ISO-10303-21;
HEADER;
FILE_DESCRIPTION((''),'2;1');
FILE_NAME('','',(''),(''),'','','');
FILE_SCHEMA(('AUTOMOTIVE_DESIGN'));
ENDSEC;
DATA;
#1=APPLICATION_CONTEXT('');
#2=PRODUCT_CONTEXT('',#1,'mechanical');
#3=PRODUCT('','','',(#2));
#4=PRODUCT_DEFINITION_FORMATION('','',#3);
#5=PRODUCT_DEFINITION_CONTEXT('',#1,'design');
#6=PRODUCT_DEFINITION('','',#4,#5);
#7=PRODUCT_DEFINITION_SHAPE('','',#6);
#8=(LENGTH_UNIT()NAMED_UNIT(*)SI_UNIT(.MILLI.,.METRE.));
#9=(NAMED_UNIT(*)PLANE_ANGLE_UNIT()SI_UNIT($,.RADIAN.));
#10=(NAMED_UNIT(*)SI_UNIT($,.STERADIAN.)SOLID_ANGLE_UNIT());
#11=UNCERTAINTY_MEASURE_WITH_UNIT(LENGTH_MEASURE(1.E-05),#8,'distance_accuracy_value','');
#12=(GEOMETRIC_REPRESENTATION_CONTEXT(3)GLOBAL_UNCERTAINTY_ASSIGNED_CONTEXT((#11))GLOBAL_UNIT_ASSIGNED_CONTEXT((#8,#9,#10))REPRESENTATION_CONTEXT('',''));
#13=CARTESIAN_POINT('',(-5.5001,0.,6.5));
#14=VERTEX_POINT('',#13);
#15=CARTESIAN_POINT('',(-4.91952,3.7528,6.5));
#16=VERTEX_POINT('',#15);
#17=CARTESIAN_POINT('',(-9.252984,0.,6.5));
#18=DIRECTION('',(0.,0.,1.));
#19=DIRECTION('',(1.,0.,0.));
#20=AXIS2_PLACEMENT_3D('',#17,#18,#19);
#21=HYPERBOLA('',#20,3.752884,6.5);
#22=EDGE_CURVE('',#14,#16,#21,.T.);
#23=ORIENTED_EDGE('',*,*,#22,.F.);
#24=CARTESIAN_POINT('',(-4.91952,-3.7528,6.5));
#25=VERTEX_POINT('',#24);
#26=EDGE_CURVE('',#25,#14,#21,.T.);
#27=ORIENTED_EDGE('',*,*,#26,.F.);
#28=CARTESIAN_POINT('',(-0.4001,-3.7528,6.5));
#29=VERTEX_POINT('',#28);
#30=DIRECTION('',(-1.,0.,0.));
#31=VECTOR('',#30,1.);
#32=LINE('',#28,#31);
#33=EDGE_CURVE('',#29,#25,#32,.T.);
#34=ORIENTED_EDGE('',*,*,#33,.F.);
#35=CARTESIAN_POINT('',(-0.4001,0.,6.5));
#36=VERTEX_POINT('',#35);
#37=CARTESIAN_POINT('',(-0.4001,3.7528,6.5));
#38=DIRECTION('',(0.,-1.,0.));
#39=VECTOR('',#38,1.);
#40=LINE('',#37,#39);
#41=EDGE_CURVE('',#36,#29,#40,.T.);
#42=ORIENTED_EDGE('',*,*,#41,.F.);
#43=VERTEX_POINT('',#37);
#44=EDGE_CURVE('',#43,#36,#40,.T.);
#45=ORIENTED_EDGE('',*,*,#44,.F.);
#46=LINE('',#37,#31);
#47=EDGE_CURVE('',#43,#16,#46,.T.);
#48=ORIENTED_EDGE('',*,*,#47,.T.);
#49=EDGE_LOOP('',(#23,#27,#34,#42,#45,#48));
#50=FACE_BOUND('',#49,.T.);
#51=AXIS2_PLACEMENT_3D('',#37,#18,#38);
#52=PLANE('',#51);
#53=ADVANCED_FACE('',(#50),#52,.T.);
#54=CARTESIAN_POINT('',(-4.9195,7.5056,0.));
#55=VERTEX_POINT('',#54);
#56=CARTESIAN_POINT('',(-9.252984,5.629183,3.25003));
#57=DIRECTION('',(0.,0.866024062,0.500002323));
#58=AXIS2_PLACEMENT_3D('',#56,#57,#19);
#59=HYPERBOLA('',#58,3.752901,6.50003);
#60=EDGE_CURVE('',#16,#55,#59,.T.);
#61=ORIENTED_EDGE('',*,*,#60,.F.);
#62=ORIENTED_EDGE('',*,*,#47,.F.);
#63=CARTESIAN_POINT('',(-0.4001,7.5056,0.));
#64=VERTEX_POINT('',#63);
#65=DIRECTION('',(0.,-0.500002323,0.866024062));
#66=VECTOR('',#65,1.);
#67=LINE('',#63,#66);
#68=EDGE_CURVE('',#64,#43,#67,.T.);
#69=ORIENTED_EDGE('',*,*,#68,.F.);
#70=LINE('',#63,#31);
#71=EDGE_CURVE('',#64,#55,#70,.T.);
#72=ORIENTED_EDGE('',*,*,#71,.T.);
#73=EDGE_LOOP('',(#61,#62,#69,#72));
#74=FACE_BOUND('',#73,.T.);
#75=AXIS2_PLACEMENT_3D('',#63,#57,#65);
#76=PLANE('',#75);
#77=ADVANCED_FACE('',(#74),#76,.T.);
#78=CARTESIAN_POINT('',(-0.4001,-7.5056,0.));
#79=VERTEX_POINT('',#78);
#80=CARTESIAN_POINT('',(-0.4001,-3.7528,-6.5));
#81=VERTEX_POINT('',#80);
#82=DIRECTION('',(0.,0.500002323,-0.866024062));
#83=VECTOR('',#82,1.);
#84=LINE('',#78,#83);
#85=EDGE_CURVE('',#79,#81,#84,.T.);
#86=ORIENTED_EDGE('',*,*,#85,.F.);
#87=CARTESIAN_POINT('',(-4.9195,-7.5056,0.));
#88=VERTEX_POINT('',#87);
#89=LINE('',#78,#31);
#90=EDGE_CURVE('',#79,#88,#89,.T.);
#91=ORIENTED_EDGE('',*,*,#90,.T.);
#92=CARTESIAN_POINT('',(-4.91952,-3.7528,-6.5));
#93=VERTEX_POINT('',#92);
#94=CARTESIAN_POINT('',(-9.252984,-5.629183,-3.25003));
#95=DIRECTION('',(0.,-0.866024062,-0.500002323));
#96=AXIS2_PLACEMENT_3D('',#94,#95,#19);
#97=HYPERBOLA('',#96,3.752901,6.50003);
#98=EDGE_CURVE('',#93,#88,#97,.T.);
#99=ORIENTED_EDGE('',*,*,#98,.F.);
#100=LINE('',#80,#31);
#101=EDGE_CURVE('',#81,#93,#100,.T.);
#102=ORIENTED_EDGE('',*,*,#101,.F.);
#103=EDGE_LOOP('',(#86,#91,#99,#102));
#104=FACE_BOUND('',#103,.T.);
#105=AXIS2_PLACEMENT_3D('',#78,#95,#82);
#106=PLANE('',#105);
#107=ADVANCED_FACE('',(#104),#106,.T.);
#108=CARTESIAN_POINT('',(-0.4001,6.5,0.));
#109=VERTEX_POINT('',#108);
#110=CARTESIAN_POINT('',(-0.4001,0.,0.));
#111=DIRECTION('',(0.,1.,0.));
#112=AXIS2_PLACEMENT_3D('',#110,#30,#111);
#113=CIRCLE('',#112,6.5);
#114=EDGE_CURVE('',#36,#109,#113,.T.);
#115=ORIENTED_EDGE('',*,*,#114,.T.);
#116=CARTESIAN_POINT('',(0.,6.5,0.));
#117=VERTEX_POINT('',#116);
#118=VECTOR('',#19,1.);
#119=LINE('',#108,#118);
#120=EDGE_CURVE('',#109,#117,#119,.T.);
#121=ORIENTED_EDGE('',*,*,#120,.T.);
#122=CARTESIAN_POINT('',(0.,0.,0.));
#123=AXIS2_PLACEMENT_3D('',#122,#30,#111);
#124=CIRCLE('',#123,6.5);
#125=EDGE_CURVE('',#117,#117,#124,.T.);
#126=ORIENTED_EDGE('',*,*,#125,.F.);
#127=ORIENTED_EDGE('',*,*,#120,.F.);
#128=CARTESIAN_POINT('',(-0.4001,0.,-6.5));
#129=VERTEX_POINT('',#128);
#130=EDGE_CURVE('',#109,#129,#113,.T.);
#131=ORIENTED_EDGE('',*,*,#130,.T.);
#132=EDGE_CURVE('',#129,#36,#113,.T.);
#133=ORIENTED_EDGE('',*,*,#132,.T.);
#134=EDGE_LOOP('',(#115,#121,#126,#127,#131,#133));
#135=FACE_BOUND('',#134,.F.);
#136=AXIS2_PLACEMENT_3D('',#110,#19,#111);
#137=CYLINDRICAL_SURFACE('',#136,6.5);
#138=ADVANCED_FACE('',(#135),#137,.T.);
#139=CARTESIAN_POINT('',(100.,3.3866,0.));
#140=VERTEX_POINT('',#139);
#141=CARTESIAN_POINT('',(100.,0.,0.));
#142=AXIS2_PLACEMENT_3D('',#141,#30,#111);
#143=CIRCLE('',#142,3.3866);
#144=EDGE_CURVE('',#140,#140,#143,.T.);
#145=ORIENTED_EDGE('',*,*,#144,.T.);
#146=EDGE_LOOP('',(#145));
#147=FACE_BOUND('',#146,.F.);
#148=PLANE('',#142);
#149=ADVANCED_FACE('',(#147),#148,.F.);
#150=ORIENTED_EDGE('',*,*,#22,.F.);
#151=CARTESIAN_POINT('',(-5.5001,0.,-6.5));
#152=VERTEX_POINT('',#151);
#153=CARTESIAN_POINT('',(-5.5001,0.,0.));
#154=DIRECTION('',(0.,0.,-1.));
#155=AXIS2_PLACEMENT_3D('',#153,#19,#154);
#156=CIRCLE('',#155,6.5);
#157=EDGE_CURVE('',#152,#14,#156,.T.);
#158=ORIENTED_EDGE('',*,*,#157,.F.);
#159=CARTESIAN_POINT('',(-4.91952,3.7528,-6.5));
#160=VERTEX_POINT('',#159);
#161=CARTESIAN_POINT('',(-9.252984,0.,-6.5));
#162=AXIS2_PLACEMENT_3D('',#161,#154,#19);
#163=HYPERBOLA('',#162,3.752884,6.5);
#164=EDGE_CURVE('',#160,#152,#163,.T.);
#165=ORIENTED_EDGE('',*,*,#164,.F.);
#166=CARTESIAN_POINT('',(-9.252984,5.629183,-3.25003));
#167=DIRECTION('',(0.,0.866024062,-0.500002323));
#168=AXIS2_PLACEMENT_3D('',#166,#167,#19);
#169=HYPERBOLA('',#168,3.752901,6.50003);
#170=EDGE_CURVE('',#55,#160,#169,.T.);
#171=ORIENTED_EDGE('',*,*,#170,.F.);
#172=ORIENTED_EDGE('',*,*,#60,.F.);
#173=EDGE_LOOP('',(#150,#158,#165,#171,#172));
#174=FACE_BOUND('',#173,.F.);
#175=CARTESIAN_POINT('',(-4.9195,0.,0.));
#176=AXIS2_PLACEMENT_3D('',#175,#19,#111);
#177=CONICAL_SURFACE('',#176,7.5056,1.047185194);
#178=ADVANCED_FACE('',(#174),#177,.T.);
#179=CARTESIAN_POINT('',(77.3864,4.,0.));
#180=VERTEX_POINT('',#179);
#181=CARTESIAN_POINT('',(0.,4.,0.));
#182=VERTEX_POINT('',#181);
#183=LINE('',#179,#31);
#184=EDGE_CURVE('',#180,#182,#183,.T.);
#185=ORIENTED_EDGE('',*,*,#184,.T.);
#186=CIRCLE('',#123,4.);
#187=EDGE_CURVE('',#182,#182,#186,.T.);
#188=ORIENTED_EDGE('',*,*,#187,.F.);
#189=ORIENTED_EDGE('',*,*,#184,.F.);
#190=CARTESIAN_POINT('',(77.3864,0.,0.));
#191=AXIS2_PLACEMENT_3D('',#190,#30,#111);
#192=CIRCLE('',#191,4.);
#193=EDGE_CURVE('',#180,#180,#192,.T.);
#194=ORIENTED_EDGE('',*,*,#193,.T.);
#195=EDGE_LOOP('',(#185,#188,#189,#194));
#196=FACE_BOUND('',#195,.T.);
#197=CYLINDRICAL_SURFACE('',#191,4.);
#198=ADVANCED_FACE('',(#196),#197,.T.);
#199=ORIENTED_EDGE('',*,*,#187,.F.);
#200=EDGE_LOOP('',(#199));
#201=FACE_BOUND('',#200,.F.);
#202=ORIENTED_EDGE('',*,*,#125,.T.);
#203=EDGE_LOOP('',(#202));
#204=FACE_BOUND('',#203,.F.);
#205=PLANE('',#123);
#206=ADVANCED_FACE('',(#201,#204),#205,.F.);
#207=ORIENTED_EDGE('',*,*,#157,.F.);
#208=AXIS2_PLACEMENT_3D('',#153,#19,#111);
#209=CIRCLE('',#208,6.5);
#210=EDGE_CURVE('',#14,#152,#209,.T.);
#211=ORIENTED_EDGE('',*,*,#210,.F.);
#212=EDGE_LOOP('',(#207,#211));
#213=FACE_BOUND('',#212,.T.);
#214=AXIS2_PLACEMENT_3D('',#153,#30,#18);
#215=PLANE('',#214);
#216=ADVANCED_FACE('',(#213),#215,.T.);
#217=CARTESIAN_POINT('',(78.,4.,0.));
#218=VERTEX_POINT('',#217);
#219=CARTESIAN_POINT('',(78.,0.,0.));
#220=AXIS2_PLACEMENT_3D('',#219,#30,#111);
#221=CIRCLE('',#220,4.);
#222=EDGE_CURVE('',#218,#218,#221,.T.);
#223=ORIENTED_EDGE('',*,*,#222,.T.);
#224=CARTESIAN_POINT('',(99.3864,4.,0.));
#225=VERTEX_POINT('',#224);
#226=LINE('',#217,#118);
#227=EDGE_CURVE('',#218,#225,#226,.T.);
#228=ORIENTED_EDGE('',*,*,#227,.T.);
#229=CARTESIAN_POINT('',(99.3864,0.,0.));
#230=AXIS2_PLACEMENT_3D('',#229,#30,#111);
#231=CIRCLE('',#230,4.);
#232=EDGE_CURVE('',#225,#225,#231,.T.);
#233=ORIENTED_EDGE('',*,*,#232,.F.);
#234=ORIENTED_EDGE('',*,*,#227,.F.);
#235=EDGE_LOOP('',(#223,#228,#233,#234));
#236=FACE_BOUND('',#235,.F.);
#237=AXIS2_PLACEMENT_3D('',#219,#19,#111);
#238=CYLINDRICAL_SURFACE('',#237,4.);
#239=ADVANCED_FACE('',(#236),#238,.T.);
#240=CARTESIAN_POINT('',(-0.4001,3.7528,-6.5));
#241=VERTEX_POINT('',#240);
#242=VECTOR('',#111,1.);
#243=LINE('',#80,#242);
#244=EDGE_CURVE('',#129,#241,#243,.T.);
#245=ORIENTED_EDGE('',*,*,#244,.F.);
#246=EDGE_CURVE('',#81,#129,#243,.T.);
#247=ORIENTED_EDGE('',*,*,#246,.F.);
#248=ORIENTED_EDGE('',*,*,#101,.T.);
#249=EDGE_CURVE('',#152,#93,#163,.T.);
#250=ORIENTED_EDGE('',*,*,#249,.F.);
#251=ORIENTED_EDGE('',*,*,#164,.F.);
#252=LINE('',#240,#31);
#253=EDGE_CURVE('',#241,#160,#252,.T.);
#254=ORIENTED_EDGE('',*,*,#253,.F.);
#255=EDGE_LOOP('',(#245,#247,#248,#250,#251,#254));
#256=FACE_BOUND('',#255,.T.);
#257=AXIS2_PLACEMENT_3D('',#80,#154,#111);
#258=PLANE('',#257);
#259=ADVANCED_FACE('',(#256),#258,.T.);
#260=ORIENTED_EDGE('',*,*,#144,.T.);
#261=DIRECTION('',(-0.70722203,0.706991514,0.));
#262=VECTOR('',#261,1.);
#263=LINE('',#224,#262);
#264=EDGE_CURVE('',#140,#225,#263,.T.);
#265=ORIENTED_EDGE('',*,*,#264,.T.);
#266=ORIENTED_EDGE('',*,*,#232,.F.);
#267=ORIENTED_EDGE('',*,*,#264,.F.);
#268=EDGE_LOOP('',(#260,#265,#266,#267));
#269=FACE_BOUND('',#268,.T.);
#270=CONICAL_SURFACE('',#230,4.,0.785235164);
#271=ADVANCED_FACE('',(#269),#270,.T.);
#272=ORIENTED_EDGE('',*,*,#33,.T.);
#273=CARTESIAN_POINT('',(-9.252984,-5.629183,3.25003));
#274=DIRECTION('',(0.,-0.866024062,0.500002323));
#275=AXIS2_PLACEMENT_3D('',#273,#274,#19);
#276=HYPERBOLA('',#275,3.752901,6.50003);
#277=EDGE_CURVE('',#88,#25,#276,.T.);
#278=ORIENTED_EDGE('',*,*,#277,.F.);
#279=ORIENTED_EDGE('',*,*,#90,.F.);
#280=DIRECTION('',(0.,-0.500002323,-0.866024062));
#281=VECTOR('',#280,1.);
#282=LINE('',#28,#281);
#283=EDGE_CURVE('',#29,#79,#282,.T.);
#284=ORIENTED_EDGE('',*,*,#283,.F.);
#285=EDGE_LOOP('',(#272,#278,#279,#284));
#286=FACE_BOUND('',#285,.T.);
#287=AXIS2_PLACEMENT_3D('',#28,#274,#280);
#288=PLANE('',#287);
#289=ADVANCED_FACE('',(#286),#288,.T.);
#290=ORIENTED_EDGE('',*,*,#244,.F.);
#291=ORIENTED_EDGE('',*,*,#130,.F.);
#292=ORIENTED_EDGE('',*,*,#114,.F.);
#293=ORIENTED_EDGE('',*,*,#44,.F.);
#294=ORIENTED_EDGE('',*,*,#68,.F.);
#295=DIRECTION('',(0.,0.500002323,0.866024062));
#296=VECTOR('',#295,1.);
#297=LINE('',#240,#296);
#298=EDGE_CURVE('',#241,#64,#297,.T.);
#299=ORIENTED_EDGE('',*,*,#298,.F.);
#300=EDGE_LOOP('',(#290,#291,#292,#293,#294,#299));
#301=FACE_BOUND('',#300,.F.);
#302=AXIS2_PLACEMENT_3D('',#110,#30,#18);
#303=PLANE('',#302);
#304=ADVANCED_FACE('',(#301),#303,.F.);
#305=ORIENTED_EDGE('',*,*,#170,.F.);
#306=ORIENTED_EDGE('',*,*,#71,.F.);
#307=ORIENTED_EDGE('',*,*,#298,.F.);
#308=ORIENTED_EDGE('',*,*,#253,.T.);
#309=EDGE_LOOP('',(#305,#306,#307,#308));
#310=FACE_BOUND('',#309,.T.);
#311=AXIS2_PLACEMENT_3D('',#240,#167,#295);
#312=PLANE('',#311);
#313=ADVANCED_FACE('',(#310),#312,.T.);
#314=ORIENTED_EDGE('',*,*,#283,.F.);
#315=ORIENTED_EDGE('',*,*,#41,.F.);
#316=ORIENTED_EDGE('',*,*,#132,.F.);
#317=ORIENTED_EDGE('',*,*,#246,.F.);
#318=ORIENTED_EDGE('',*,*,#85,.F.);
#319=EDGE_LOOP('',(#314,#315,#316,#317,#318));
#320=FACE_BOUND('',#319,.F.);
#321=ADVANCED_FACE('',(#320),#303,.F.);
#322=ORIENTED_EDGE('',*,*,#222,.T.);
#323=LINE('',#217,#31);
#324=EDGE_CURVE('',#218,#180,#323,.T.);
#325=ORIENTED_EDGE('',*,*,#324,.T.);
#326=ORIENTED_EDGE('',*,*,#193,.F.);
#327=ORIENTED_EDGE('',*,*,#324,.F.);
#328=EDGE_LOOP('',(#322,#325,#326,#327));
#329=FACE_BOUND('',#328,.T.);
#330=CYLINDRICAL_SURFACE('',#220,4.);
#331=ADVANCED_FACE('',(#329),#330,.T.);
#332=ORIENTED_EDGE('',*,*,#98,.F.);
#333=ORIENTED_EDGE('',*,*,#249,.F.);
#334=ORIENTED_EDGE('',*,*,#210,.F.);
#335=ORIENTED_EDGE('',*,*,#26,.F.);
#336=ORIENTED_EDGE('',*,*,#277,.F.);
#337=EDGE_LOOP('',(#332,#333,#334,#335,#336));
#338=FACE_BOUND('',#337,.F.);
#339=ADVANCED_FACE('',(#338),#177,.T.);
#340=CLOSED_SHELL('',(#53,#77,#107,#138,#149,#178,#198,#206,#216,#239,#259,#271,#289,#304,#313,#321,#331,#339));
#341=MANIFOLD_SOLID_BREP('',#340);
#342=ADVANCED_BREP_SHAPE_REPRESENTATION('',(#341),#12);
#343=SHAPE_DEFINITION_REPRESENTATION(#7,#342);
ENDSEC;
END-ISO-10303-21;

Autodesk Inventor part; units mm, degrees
ref_plane "YZ Plane" through (0, 0, 0) normal (1, 0, 0) x (0, 1, 0)
ref_plane "XZ Plane" through (0, 0, 0) normal (0, 1, 0) x (-1, 0, 0)
sketch "Sketch1" plane through (0, 0, 0) normal (0, 0, 1) x (1, 0, 0)
  line L0 (0, 6.5) -> (0, 4)
  line L1 (78, 4) -> (100, 4)
  line L2 (100, 4) -> (100, 0)
  line L3 (100, 0) -> (-0.4001, 0)
  line L4 (-20.4801, 0) -> (120.08, 0) projected
  line L5 (-0.4001, 0) -> (-0.4001, 6.5)
  line L6 (-0.4001, 6.5) -> (0, 6.5)
  line L7 (78, 4) -> (77.3864, 4)
  line L8 (77.3864, 4) -> (0, 4)
  line L9 (0, -1.3) -> (0, 7.8) projected
  dimension "d0" = 100
  dimension "d1" = 22
  dimension "d2" = 8
  dimension "d9" = 0.4001
  dimension "d10" = 13
  dimension "d13" = 0.6136
  dimension "d14" = 8
revolve "Body" add sketch "Sketch1" angle 360 about axis through (100, 0, 0) along (-1, 0, 0)
sketch "Sketch2" plane through (-0.4001, 0, 0) normal (-1, 0, 0) x (0, 0, 1)
  line L0 (0, 7.5056) -> (6.5, 3.7528)
  line L1 (6.5, 3.7528) -> (6.5, -3.7528)
  line L2 (6.5, -3.7528) -> (0, -7.5056)
  line L3 (0, -7.5056) -> (-6.5, -3.7528)
  line L4 (-6.5, -3.7528) -> (-6.5, 3.7528)
  line L5 (-6.5, 3.7528) -> (0, 7.5056)
  point P0 (0, 0)
  point P1 (0, 0)
  dimension "d11" = 13
extrude "Head" add sketch "Sketch2" along normal blind 5.1
sketch "Sketch4" plane through (0, 0, 0) normal (0, 0, 1) x (1, 0, 0)
  line L0 (-5.5001, 6.5) -> (-5.5001, 7.5056)
  line L1 (-5.5001, 7.5056) -> (-4.9195, 7.5056)
  line L2 (-4.9195, 7.5056) -> (-5.5001, 6.5)
  line L3 (-6.5201, 0) -> (0.6199, 0) projected
  line L4 (-0.4001, 7.5056) -> (-5.5001, 7.5056) projected
  line L5 (-5.5001, 3.7528) -> (-5.5001, 7.5056) projected
  dimension "d5" = 30
  dimension "d19" = 13
revolve "Chamfer1" cut sketch "Sketch4" angle 360 about axis through (-10, 0, 0) along (1, 0, 0)
thread "Thread" size "M8x1" class "6g" standard "ISO Metric profile" length 22
chamfer "Chamfer2" distance 0.6134 distance2 0.6136 1 edges at (100, -4, 0) measured on face at (100, -1.054, 1.6624)
ref_plane "Work Plane1" through (1.525, 0, 0) normal (0, 0, 1) x (1, 0, 0)
equation "\"d0\" = NLG"
equation "\"d1\" = GEL"
equation "\"d2\" = GD"
equation "\"d10\" = SD2"
equation "\"d14\" = BDM"
equation "\"d11\" = SW"
equation "\"d3\" = KOH - SD"
equation "\"d5\" = ANG1"
equation "\"d19\" = SW0"
equation "\"d15\" = GEL"
equation "\"d6\" = -0.5 * SPD + 0.5 * GD"
equation "\"NLG\" = 100"
equation "\"GD\" = NND"
equation "\"BDM\" = NND"
equation "\"KOH\" = 5.5"
equation "\"GEL\" = 22"
equation "\"SW\" = 13"
equation "\"SW0\" = SW"
equation "\"SPD\" = NND - 1.2269 * PTC"
equation "\"SD2\" = SW"
equation "\"SD\" = WFT"
equation "\"ANG1\" = 30deg"
equation "\"GAL\" = 0.61345 * PTC"
equation "\"GUL\" = 0.61345 * PTC"
equation "\"RR\" = 0.4"
equation "\"WFT\" = 0.4"
equation "\"GD1\" = THREADDIA - 1.2269 * PTC"
equation "\"THREADDIA\" = 8"
equation "\"SDH\" = SW"
equation "\"TOA\" = 30deg"
equation "\"PTC\" = 1"
equation "\"NND\" = 8"
equation "\"E0\" = 1.155 * SW"
properties part number "CNS 4320 - M8 x 100" material "Steel, Mild"
